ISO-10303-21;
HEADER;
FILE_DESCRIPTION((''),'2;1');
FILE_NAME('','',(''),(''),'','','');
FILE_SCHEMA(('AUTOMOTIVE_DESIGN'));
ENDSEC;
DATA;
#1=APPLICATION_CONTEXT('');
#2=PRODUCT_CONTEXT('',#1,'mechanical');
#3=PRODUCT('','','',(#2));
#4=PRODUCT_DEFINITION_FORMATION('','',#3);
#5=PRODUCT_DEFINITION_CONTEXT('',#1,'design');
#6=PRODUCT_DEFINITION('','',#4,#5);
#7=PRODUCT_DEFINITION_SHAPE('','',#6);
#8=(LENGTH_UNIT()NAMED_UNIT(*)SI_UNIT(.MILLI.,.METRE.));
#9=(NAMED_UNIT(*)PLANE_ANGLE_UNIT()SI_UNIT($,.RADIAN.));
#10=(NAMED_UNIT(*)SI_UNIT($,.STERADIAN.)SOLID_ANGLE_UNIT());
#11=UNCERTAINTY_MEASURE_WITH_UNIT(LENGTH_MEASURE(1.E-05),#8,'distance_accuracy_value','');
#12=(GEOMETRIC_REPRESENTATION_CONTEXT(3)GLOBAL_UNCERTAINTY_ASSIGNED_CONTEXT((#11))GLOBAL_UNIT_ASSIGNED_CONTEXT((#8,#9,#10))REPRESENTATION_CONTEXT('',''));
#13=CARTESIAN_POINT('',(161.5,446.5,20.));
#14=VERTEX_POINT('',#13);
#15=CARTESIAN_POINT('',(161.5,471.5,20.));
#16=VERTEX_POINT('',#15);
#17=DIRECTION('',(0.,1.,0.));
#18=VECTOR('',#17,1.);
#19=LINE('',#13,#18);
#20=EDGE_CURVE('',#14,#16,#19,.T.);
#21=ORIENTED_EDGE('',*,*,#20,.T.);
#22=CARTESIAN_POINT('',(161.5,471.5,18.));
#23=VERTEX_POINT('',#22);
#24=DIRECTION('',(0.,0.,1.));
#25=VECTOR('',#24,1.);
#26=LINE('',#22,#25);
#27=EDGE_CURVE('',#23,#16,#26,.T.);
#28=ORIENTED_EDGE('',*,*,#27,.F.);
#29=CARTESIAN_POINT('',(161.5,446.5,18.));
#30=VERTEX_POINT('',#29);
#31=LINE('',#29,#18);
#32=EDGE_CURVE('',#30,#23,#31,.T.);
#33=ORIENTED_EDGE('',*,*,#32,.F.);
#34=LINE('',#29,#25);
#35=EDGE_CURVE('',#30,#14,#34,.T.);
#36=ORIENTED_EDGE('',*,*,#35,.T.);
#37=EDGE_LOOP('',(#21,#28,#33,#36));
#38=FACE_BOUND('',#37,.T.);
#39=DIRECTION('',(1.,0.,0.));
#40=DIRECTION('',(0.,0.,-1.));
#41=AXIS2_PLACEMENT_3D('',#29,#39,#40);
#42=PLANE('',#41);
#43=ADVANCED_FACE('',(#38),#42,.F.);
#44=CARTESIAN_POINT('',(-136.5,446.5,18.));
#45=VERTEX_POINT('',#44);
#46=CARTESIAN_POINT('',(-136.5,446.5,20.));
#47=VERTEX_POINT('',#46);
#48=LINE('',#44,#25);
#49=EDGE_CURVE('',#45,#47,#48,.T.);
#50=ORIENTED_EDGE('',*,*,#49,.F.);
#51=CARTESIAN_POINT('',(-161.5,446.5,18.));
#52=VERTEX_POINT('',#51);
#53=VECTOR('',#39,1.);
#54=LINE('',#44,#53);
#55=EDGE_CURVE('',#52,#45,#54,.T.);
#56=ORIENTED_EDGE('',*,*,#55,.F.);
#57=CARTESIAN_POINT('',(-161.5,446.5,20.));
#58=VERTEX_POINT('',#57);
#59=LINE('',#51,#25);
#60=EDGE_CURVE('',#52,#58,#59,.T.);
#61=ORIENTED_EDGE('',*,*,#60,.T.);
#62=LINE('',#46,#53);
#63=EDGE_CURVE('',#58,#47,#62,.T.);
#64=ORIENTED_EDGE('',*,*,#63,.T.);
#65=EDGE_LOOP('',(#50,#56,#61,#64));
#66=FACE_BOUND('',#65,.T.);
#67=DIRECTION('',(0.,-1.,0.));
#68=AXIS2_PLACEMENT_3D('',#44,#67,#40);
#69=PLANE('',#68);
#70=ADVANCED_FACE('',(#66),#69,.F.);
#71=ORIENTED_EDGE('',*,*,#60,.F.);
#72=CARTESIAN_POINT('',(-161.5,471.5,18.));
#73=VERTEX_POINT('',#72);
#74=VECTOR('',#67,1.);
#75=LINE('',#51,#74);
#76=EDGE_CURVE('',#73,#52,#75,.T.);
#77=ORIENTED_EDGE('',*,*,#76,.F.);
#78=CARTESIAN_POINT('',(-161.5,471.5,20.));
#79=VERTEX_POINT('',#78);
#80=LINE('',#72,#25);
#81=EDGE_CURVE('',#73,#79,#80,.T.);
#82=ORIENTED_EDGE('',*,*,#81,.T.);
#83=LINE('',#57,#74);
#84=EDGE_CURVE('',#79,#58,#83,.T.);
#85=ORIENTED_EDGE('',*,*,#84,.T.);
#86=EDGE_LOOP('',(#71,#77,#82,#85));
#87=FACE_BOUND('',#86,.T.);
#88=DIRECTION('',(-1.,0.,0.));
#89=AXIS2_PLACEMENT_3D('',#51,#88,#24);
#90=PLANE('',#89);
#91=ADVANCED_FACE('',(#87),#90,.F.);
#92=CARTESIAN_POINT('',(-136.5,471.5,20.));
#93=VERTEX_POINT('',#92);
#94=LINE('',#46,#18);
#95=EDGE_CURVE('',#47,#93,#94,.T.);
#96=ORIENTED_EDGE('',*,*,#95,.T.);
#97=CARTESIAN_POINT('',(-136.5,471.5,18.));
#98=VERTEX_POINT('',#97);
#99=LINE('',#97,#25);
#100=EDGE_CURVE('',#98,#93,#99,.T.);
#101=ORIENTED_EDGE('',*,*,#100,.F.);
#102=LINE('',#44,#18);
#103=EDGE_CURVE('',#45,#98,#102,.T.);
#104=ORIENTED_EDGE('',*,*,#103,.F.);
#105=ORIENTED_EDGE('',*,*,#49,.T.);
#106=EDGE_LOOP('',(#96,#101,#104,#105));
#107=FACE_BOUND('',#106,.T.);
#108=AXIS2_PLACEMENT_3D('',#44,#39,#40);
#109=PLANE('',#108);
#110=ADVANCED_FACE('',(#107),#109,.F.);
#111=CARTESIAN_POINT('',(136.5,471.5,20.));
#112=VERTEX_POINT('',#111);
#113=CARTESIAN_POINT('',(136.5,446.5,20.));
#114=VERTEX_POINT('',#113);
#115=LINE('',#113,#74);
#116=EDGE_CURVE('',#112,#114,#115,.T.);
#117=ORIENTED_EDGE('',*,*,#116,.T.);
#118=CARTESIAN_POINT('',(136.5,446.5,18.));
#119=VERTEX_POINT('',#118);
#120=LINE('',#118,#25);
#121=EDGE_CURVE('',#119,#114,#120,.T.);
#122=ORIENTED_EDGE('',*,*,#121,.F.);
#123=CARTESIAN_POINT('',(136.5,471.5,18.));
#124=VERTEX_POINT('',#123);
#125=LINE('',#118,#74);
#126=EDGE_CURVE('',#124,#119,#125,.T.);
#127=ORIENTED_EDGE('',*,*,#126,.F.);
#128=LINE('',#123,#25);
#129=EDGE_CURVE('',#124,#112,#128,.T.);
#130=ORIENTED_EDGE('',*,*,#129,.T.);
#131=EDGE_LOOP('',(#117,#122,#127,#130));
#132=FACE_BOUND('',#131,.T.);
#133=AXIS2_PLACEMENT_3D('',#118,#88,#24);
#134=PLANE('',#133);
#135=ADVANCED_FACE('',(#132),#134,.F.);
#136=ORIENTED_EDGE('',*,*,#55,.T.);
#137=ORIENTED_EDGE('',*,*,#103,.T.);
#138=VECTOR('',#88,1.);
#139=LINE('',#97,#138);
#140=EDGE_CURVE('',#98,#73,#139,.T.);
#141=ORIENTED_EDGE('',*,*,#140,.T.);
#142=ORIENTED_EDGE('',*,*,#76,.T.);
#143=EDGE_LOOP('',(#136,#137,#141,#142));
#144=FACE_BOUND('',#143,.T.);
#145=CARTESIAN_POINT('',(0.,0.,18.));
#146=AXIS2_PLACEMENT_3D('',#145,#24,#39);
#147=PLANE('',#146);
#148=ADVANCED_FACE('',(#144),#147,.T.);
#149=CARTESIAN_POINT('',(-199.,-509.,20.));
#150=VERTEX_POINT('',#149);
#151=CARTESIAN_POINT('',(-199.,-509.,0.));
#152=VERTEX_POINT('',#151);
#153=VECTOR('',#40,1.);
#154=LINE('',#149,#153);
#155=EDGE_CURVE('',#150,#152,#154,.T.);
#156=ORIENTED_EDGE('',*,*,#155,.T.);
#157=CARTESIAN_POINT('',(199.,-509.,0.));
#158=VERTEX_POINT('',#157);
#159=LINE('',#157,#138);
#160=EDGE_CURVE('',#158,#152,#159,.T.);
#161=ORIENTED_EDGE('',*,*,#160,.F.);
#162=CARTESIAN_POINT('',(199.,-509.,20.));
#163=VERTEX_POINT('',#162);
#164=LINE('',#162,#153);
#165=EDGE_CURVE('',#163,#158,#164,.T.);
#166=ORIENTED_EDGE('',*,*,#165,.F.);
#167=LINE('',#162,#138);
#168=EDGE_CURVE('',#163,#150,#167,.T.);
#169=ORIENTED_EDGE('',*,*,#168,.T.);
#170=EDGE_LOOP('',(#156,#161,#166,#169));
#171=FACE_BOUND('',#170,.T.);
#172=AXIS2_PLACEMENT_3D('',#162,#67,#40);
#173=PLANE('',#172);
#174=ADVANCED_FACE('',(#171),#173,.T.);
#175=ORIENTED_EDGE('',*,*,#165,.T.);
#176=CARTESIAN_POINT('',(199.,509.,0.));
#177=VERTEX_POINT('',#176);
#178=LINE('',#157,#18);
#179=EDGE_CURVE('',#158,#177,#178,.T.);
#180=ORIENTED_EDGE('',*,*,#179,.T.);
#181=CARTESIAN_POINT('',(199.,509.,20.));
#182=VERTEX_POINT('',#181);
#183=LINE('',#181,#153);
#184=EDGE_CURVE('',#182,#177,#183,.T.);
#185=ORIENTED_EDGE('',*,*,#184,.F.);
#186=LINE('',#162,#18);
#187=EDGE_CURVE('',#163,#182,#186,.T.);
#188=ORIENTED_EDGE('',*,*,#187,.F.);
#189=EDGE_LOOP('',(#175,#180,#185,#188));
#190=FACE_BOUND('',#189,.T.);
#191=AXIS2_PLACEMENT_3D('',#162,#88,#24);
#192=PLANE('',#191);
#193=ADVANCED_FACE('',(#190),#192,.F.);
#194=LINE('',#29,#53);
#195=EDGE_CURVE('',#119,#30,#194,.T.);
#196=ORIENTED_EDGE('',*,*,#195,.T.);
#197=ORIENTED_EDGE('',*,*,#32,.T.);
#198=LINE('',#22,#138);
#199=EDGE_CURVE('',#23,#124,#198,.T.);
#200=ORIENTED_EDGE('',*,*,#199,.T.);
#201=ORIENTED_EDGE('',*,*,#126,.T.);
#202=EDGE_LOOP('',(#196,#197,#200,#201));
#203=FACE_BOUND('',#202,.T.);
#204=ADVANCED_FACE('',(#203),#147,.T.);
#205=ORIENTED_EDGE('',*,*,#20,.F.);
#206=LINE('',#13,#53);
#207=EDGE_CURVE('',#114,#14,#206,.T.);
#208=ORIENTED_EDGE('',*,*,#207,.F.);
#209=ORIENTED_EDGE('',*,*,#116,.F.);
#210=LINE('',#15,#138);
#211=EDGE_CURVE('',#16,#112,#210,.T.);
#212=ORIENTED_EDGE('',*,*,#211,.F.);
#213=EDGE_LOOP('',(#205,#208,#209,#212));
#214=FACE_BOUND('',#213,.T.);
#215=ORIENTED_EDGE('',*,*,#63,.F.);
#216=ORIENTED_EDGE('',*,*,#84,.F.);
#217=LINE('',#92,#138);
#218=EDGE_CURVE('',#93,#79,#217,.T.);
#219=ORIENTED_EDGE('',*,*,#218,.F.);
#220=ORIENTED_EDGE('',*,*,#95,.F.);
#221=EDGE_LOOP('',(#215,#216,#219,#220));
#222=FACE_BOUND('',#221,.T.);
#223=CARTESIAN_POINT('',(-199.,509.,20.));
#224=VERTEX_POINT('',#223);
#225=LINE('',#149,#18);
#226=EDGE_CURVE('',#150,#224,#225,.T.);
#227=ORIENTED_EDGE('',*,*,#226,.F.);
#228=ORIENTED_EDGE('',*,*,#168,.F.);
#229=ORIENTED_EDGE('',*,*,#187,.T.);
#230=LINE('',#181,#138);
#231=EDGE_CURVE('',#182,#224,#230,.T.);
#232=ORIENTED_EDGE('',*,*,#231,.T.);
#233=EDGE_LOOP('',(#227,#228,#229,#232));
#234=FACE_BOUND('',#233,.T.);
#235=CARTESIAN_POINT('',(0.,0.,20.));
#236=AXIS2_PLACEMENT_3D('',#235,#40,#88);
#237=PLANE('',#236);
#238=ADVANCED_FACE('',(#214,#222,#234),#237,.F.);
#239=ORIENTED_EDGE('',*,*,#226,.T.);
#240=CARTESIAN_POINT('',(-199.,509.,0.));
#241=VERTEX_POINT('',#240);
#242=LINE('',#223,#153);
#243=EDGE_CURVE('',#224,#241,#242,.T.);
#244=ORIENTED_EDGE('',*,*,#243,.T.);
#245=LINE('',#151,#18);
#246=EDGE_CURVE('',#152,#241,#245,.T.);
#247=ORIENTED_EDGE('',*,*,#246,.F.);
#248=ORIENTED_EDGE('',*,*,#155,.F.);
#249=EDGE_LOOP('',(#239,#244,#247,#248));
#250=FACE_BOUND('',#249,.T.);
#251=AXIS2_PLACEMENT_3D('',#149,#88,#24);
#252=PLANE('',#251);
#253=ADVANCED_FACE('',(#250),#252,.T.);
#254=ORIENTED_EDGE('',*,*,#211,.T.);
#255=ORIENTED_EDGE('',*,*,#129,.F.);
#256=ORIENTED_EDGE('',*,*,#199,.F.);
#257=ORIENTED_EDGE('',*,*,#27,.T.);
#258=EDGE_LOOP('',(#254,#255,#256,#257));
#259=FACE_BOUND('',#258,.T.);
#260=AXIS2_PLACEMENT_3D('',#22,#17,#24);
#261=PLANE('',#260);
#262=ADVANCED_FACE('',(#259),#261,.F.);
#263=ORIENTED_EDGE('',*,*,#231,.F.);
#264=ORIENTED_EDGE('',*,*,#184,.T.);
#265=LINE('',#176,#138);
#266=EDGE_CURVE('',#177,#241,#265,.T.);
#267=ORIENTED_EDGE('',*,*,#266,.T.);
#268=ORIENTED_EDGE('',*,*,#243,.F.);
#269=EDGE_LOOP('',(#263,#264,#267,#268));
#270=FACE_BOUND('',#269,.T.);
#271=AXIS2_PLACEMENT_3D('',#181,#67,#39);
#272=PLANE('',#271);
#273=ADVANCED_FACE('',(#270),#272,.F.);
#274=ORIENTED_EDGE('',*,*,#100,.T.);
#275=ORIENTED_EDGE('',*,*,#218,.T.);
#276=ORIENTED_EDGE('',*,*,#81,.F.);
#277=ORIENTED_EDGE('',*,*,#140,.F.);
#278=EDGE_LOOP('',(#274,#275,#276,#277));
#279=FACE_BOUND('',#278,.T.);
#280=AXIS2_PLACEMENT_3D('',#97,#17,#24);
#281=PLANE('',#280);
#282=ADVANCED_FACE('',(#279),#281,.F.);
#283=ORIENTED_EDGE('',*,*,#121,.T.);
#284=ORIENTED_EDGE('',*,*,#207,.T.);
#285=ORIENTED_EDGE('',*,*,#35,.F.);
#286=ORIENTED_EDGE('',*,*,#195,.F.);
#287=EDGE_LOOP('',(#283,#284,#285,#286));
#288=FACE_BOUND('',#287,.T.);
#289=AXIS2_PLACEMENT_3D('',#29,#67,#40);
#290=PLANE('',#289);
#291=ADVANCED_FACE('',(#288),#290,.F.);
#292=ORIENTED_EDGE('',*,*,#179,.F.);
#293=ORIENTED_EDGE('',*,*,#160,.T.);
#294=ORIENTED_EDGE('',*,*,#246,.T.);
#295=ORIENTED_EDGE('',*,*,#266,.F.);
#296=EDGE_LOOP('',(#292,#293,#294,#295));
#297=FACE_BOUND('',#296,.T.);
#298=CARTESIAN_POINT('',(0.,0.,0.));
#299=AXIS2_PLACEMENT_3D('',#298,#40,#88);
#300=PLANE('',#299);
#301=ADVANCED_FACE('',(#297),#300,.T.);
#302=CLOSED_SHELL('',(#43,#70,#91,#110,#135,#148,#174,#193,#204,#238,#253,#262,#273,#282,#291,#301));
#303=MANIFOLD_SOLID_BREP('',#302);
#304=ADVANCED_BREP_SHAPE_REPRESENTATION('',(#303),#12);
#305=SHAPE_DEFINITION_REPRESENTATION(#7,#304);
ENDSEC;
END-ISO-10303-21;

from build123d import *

# Parameters (mm, degrees)
SKETCH1_W           = 398
SKETCH1_H           = 1018
BOSS_EXTRUDE1_DEPTH = 20
SKETCH2_W           = 25
SKETCH2_H           = 25
CUT_EXTRUDE1_DEPTH  = 2


with BuildPart() as part:
    # Sketch1 → Boss-Extrude1 (new body)
    with BuildSketch(Plane.XY):
        Rectangle(SKETCH1_W, SKETCH1_H)
    extrude(amount=BOSS_EXTRUDE1_DEPTH)

    # Sketch2 → Cut-Extrude1 (cut)
    with BuildSketch(Plane.XY.offset(20)):
        with Locations((149, 459)):
            Rectangle(SKETCH2_W, SKETCH2_H)
        with Locations((-149, 459)):
            Rectangle(SKETCH2_W, SKETCH2_H)
    extrude(amount=-CUT_EXTRUDE1_DEPTH, mode=Mode.SUBTRACT)


solid = part.part
